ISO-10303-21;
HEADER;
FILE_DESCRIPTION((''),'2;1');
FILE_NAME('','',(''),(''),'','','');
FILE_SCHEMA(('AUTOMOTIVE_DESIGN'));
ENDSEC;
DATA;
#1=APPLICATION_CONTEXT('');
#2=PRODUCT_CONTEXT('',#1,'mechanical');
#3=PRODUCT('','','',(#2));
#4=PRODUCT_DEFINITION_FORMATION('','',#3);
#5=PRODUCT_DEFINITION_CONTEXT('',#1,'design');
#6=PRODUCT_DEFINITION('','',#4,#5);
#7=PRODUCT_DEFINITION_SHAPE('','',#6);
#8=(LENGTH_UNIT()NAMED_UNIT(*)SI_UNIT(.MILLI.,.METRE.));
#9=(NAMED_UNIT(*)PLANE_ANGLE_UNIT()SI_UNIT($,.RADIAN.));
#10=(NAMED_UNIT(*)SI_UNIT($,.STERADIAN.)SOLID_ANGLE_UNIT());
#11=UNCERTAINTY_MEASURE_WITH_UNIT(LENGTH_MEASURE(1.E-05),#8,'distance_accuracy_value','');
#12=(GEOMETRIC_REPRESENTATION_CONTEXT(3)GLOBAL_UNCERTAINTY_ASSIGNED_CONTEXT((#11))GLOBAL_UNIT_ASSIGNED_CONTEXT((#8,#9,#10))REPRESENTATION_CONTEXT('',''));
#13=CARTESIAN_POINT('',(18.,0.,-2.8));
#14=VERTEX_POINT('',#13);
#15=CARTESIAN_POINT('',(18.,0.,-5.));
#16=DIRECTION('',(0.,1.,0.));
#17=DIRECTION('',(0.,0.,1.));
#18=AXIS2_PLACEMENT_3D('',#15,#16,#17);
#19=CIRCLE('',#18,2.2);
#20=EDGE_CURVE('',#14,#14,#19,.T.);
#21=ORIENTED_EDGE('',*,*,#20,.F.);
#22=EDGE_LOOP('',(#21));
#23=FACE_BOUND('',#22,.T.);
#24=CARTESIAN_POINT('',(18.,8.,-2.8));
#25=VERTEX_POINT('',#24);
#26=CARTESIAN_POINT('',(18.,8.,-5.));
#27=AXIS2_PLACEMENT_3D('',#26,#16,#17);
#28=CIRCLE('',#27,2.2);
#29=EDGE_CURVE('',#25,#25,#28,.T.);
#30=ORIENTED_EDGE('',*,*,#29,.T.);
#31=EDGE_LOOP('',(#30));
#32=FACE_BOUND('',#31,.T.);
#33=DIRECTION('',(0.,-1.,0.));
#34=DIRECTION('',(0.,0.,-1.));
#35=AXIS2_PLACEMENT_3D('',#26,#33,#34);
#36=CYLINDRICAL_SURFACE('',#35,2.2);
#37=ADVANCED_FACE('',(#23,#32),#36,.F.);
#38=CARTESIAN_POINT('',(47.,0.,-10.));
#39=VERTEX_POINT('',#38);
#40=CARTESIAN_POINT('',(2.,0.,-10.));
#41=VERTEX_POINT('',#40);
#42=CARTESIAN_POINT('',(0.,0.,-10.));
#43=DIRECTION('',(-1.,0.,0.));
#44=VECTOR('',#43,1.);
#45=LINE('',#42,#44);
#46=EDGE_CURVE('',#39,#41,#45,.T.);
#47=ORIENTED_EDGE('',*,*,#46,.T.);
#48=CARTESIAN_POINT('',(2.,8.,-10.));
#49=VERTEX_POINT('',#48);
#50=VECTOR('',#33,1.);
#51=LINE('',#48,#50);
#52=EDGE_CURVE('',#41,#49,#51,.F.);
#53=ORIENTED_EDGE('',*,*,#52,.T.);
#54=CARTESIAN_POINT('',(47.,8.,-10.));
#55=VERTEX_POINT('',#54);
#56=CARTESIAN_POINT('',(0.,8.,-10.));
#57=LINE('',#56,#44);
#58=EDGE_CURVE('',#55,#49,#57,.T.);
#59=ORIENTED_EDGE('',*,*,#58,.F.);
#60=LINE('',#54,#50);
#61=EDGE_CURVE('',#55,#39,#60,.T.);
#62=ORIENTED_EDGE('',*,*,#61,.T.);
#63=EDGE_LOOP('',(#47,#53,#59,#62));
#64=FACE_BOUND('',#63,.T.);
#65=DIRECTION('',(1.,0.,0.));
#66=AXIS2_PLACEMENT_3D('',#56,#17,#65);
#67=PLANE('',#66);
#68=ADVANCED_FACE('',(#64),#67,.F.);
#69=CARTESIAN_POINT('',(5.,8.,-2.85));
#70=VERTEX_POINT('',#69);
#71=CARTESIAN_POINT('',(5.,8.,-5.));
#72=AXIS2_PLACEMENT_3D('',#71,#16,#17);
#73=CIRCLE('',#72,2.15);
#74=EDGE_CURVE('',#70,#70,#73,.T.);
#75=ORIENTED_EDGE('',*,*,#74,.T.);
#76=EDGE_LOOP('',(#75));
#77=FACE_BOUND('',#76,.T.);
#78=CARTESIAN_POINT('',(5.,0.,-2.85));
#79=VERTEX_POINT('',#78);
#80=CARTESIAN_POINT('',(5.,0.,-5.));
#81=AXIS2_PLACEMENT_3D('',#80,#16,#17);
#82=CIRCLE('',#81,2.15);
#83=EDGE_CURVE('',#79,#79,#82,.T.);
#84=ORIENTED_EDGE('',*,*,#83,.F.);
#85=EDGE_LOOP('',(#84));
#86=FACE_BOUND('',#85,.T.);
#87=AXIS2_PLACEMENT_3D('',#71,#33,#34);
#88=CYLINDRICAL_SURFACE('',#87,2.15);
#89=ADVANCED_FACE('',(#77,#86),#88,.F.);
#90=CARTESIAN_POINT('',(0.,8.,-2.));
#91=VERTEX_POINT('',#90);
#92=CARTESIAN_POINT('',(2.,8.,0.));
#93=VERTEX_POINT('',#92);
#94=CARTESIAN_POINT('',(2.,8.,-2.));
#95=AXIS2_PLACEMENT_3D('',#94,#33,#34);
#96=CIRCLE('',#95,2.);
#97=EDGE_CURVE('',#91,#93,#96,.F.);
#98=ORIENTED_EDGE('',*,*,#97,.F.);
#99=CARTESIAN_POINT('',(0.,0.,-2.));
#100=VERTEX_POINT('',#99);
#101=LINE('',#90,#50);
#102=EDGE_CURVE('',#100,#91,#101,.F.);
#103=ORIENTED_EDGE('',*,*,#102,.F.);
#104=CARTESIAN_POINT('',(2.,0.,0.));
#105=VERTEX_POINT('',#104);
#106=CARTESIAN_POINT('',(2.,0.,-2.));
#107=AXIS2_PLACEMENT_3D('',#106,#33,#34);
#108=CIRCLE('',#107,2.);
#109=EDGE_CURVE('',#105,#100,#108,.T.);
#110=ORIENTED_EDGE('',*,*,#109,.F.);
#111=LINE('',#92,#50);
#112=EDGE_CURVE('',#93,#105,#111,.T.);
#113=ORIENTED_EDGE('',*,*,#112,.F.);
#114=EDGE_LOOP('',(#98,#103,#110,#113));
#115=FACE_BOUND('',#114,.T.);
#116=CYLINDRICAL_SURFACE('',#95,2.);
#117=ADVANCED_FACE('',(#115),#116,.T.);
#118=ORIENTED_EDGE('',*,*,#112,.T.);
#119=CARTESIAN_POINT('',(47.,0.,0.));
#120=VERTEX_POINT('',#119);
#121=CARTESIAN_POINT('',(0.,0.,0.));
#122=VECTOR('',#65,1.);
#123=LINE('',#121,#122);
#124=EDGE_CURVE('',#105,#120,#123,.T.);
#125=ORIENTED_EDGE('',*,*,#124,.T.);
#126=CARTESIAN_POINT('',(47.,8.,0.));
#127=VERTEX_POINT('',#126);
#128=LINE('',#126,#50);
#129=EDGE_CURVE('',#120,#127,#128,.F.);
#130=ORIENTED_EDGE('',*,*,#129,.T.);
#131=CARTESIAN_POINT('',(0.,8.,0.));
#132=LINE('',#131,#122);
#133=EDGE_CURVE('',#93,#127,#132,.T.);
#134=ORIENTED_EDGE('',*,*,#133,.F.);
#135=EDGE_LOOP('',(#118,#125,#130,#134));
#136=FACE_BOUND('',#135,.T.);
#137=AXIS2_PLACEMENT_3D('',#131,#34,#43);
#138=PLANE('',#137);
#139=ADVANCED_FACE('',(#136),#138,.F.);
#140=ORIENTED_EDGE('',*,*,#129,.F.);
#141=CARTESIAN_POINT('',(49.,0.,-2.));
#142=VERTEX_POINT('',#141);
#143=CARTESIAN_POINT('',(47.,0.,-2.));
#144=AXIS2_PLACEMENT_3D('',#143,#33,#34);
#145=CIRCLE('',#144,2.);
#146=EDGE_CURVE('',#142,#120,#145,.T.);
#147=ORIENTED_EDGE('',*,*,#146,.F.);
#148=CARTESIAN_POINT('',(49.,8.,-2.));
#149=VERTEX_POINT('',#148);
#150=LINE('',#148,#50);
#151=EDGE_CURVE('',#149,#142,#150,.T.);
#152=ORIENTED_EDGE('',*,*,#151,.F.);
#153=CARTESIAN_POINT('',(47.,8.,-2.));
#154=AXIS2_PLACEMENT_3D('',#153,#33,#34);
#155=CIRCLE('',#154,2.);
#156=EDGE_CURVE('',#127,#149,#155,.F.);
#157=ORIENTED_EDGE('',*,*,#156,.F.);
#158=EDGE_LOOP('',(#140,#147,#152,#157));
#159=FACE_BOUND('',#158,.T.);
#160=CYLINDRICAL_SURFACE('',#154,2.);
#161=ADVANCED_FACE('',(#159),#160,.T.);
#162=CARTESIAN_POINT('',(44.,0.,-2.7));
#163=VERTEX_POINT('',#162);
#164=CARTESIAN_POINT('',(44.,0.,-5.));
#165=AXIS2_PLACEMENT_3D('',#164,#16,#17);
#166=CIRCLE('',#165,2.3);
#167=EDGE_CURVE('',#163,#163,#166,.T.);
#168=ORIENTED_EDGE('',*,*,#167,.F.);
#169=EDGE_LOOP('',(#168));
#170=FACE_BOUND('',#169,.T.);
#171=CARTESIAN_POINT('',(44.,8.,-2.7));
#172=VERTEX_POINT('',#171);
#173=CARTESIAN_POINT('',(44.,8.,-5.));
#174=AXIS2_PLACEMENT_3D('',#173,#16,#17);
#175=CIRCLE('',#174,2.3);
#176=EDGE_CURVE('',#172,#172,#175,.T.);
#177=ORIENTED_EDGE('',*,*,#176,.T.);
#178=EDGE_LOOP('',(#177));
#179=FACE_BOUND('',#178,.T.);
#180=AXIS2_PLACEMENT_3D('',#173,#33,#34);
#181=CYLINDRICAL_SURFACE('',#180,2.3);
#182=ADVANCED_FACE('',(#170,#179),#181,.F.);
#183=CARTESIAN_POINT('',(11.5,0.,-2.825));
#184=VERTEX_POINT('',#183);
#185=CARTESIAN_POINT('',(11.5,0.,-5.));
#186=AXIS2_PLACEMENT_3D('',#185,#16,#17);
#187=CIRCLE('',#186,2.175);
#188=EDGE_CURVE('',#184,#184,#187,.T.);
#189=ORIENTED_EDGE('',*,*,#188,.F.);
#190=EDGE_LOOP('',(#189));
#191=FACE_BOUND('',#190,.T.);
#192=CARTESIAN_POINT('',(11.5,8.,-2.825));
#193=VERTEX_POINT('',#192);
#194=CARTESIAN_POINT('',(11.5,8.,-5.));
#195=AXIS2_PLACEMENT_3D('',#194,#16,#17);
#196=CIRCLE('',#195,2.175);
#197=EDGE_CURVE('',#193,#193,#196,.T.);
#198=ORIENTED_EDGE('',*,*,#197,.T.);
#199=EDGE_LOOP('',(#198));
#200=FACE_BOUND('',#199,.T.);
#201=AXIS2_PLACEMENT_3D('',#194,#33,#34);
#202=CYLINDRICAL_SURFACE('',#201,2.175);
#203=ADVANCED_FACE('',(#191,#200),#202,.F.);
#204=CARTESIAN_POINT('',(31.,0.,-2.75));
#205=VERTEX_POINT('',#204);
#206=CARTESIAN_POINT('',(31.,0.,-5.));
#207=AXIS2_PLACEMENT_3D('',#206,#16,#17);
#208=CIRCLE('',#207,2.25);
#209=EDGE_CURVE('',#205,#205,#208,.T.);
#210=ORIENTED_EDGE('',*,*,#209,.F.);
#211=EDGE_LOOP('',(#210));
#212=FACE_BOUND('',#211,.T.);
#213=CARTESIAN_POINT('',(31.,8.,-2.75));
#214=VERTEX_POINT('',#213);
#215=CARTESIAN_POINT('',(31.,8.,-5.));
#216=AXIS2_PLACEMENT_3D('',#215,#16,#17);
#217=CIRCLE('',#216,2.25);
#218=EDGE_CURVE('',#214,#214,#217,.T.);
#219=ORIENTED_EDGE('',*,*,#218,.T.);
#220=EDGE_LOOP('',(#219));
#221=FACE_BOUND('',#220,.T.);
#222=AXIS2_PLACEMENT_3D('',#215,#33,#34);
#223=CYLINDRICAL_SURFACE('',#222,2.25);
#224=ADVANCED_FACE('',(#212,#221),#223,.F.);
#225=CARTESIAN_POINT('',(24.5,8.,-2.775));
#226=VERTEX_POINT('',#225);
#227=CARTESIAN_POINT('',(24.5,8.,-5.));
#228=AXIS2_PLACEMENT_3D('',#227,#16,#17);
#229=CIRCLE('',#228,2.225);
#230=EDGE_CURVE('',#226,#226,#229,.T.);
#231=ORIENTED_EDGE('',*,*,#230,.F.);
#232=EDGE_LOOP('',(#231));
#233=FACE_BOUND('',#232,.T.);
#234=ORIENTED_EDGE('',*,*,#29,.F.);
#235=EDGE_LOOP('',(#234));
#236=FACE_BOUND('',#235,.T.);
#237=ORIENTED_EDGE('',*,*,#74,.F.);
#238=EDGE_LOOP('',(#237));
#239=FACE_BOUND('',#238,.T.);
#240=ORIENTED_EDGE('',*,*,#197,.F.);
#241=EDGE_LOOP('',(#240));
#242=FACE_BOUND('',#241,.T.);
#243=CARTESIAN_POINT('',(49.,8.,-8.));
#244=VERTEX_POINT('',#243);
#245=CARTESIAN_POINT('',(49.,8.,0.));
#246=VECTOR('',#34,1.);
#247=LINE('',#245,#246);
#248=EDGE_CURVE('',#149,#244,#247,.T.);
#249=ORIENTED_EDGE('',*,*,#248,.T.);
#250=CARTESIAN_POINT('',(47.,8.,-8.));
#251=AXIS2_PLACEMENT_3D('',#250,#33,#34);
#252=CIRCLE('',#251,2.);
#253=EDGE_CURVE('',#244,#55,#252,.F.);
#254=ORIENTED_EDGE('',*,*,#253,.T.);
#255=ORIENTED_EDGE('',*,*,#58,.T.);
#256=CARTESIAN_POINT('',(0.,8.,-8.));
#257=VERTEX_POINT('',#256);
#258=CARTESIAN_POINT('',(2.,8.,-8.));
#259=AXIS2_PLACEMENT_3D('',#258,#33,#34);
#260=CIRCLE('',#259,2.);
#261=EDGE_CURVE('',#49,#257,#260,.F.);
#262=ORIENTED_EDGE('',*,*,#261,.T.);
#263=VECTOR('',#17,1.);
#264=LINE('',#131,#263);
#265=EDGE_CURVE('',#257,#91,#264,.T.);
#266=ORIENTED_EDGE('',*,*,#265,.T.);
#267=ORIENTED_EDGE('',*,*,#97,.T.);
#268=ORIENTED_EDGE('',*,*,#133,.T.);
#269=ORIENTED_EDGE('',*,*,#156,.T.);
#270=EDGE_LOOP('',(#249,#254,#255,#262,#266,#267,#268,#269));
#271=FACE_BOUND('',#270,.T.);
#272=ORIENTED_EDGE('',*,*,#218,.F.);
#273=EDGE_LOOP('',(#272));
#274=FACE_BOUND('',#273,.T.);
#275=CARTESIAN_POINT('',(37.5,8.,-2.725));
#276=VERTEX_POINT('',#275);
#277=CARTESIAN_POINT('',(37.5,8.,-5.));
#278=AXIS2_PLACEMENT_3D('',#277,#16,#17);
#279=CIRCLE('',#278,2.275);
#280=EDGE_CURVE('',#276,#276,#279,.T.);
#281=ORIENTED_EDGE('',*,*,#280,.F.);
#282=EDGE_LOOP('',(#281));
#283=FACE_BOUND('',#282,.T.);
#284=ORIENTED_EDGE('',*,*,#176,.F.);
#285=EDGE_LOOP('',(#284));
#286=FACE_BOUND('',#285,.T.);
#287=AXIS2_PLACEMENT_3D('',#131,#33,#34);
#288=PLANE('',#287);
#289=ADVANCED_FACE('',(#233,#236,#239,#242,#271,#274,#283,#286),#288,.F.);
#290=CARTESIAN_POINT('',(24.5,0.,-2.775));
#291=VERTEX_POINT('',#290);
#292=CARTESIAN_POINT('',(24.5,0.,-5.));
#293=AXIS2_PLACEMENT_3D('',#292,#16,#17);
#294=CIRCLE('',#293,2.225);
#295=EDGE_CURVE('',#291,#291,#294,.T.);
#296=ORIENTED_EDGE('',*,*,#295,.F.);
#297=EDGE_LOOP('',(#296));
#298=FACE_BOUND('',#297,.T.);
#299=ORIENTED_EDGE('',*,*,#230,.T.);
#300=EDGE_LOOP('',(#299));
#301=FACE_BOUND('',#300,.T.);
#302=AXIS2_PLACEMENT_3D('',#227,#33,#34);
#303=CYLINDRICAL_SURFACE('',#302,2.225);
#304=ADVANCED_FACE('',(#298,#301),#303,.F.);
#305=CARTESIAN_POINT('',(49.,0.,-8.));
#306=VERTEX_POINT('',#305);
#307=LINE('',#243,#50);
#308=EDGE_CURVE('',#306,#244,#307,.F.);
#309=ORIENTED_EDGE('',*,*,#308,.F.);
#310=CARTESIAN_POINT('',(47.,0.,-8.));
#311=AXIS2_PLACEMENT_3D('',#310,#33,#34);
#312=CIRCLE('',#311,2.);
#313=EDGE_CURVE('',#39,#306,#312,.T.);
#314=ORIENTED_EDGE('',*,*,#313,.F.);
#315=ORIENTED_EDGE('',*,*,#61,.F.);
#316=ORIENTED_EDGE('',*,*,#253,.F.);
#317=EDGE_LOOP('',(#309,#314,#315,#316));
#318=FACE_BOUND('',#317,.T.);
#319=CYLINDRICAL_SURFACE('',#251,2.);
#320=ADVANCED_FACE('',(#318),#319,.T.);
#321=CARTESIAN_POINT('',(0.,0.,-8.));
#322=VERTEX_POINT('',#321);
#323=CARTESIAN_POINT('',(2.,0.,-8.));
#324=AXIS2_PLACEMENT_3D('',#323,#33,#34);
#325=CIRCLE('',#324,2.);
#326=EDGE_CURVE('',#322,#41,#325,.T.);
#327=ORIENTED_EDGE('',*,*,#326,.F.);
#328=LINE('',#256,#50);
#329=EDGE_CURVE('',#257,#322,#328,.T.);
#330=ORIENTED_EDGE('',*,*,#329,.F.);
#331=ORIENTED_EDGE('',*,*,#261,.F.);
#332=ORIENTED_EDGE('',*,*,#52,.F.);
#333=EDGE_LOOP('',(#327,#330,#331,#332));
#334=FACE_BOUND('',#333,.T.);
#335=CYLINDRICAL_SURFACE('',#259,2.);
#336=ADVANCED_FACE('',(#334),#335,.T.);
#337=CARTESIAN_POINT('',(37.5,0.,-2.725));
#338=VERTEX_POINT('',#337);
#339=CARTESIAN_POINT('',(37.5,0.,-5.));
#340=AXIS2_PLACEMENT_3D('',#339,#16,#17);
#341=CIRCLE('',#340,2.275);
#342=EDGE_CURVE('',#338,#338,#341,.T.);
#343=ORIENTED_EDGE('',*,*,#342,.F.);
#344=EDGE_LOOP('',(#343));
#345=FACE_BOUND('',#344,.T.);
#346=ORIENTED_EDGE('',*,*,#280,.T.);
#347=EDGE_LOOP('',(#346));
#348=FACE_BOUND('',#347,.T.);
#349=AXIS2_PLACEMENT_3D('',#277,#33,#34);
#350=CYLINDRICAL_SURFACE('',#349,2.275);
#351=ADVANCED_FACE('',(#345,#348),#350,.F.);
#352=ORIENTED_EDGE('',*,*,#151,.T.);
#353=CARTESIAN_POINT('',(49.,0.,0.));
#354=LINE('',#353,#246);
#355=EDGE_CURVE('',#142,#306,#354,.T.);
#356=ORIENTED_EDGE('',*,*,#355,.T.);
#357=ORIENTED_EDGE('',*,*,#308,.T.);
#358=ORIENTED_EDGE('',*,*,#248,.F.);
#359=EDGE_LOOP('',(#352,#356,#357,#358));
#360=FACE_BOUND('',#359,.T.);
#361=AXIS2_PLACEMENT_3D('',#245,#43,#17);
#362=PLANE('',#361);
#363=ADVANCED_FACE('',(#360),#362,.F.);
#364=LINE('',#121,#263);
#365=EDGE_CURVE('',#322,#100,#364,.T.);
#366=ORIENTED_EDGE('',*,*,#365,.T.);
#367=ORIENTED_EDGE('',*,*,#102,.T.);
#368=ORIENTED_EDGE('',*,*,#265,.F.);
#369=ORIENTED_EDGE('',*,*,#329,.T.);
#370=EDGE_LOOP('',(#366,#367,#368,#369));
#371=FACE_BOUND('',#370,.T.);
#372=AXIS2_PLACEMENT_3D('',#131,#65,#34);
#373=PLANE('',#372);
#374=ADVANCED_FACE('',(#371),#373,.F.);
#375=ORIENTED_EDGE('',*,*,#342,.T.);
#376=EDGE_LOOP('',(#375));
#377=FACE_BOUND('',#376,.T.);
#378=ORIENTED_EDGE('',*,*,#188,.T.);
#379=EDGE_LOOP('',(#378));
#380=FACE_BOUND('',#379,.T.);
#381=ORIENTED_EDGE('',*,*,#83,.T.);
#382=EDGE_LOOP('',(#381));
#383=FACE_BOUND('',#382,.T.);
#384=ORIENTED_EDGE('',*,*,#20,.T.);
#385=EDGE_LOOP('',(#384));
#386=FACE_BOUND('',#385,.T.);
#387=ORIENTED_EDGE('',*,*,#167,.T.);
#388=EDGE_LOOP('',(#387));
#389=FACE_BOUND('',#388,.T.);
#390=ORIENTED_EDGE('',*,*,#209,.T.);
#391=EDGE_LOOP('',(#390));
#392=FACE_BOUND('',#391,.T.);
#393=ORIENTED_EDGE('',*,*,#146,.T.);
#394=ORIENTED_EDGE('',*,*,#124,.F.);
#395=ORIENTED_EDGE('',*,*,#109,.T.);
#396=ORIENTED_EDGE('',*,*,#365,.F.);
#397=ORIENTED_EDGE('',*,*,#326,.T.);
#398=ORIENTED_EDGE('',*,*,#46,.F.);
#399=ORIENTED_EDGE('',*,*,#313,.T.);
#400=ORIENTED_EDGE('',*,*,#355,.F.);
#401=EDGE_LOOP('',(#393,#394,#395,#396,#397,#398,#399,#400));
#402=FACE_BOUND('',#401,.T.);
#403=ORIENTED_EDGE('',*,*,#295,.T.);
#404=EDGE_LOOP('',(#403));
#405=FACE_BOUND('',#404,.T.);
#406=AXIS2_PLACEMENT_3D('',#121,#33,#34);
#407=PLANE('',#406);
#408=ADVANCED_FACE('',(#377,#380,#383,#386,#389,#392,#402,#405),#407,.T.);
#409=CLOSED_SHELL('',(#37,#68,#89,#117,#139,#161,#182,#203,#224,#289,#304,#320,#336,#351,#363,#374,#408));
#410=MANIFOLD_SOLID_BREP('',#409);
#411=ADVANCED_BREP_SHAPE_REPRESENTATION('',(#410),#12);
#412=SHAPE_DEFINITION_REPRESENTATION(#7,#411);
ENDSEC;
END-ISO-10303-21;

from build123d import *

# Parameters (mm, degrees)
SKETCH1_W           = 49
SKETCH1_H           = 10
SKETCH1_R           = 2.15
SKETCH1_R_2         = 2.175
SKETCH1_R_3         = 2.2
SKETCH1_R_4         = 2.225
SKETCH1_R_5         = 2.3
SKETCH1_R_6         = 2.25
SKETCH1_R_7         = 2.275
BOSS_EXTRUDE1_DEPTH = 8
FILLET1_R           = 2


with BuildPart() as part:
    # Sketch1 → Boss-Extrude1 (new body)
    with BuildSketch(Plane(origin=(0, 0, 0), x_dir=(1, 0, 0), z_dir=(0, 1, 0))):
        with Locations((24.5, 5)):
            Rectangle(SKETCH1_W, SKETCH1_H)
        with Locations(Location((5, 5, 0), (0, 0, 270))):
            Circle(SKETCH1_R, mode=Mode.SUBTRACT)
        with Locations(Location((11.5, 5, 0), (0, 0, 270))):
            Circle(SKETCH1_R_2, mode=Mode.SUBTRACT)
        with Locations(Location((18, 5, 0), (0, 0, 270))):
            Circle(SKETCH1_R_3, mode=Mode.SUBTRACT)
        with Locations(Location((24.5, 5, 0), (0, 0, 270))):
            Circle(SKETCH1_R_4, mode=Mode.SUBTRACT)
        with Locations(Location((44, 5, 0), (0, 0, 270))):
            Circle(SKETCH1_R_5, mode=Mode.SUBTRACT)
        with Locations(Location((31, 5, 0), (0, 0, 270))):
            Circle(SKETCH1_R_6, mode=Mode.SUBTRACT)
        with Locations(Location((37.5, 5, 0), (0, 0, 270))):
            Circle(SKETCH1_R_7, mode=Mode.SUBTRACT)
    extrude(amount=BOSS_EXTRUDE1_DEPTH)

    # Fillet1
    fillet1_edges = [part.edges().sort_by_distance(p)[0] for p in [
        (0, 4, -10),
        (49, 4, -10),
        (49, 4, 0),
        (0, 4, 0),
    ]]
    fillet(fillet1_edges, radius=FILLET1_R)


solid = part.part
